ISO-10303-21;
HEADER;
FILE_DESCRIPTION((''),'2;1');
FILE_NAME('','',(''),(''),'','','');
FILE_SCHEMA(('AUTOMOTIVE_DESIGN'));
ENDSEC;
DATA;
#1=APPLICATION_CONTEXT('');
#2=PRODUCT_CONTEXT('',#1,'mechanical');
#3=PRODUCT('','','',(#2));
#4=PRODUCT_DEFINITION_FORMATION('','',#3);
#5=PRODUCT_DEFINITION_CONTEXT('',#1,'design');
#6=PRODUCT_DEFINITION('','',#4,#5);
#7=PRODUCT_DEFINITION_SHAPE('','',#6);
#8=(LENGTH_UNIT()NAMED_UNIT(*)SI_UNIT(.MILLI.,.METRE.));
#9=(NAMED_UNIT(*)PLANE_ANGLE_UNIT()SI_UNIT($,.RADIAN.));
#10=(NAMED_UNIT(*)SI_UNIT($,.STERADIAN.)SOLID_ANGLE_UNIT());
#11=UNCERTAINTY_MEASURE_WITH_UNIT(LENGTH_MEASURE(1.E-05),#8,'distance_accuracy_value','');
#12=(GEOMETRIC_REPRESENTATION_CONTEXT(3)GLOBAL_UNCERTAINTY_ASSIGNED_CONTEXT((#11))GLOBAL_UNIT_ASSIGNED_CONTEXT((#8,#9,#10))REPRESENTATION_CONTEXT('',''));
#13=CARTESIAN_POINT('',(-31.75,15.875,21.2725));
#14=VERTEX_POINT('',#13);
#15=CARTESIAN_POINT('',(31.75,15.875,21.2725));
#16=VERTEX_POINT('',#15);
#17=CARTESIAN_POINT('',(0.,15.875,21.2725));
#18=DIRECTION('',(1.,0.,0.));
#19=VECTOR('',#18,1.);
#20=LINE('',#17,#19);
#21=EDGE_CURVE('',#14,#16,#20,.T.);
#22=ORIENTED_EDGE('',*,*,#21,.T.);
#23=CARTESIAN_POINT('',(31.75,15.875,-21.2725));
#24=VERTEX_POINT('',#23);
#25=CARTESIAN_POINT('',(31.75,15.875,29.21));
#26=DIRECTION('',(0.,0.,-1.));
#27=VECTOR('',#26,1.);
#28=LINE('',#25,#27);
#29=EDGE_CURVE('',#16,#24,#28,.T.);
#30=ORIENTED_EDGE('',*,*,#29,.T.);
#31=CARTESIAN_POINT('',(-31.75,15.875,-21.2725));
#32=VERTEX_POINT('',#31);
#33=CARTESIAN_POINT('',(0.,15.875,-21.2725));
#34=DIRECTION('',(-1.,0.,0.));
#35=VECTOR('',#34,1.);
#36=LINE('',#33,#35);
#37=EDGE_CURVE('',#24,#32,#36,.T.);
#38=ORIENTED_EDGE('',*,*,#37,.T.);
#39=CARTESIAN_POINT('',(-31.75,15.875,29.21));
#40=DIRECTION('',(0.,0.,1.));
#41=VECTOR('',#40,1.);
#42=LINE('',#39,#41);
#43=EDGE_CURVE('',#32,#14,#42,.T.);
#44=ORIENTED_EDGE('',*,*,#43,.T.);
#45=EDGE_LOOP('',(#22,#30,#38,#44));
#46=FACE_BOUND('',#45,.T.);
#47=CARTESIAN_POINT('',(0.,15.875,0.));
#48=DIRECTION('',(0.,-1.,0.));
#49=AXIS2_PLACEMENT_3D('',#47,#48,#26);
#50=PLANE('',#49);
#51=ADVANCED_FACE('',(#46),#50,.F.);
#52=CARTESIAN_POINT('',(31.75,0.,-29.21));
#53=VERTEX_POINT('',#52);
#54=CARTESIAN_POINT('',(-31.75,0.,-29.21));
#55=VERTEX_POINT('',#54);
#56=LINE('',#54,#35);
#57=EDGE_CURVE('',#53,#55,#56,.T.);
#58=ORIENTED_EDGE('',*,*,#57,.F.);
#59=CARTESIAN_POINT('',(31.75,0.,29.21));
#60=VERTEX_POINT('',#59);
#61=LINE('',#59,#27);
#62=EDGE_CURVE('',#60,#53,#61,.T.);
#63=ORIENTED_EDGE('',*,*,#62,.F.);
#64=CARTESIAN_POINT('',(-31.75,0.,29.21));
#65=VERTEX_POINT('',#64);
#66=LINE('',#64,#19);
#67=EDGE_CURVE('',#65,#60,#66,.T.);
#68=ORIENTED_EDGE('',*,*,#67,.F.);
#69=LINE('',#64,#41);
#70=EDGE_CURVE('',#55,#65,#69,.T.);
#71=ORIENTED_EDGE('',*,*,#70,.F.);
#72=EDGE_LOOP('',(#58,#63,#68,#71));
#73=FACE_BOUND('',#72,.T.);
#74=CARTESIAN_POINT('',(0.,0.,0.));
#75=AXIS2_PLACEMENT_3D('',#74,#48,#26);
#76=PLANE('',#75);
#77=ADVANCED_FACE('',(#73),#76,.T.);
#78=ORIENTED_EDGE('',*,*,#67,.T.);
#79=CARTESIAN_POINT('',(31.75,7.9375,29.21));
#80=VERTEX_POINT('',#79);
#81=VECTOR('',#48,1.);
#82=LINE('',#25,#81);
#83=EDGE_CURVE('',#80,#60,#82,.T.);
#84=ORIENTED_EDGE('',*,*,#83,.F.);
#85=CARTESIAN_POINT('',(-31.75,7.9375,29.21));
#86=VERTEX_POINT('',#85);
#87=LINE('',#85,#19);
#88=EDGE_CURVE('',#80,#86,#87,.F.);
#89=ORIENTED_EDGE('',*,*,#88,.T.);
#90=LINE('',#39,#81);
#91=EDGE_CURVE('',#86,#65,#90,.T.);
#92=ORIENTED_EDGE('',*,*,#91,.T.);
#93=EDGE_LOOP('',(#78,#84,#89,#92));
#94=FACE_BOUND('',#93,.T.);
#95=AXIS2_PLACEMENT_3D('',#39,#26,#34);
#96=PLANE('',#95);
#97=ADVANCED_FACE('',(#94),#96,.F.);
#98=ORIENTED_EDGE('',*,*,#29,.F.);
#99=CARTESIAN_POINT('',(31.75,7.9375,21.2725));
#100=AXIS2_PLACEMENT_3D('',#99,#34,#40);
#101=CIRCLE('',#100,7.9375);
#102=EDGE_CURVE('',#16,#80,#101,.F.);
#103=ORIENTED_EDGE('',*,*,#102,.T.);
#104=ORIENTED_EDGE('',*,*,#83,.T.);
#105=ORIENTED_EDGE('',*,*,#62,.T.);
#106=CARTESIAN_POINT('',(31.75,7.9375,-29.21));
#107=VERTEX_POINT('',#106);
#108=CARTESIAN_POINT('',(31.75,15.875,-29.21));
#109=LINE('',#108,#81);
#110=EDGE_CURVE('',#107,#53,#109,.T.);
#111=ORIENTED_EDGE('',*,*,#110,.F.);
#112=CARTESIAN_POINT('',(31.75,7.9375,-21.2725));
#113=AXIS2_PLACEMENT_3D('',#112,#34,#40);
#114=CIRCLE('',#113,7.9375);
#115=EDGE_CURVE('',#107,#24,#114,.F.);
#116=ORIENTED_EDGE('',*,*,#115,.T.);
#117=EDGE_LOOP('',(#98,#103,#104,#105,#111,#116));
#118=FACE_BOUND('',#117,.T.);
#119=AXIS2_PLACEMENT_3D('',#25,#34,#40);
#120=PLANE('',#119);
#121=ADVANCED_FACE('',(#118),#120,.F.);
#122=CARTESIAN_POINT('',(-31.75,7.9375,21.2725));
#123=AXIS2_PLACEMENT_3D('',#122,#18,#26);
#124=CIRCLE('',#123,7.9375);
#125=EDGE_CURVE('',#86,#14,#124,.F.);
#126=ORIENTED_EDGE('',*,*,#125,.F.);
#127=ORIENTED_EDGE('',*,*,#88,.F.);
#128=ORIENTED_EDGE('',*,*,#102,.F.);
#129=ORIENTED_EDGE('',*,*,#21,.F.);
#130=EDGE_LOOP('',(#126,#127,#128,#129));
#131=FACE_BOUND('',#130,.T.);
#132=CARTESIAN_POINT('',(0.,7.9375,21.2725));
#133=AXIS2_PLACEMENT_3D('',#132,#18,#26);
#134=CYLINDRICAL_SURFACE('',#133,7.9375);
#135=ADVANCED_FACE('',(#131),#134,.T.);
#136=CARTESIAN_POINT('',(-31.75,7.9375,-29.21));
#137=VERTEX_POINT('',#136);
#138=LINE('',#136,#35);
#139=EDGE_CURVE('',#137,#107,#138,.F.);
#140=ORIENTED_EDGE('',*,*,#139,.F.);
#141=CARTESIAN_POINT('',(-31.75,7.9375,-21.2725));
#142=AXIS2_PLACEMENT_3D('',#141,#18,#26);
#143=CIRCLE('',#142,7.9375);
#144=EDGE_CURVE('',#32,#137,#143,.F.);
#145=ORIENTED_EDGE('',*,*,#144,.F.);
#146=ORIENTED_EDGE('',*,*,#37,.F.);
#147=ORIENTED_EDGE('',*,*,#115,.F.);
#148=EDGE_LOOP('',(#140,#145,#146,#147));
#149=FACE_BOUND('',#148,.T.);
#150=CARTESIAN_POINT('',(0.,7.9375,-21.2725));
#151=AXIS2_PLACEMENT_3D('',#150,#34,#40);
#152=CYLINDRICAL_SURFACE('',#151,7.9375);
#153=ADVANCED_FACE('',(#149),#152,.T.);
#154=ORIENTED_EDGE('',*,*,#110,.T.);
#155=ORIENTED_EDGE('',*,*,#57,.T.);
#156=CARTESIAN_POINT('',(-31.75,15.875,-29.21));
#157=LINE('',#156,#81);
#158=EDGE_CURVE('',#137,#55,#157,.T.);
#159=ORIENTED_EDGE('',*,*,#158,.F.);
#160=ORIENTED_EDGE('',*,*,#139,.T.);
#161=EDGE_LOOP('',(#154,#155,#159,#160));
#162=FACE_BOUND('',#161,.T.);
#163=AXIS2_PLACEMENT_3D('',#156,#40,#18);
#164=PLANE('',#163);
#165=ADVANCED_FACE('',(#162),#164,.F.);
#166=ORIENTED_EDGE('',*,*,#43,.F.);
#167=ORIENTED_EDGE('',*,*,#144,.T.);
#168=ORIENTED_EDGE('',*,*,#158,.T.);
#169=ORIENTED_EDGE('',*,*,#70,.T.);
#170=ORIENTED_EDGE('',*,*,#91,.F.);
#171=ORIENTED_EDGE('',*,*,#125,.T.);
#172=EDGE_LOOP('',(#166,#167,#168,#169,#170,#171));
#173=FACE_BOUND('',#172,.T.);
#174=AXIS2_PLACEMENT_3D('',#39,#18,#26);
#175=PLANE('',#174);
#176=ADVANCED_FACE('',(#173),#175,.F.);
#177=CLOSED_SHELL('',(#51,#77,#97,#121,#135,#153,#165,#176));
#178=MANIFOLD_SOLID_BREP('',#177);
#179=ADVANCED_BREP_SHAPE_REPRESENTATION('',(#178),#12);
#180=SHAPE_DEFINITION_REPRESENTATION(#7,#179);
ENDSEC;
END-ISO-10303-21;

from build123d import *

# Parameters (mm, degrees)
SKETCH1_W           = 63.5
SKETCH1_H           = 58.42
BOSS_EXTRUDE1_DEPTH = 15.875
FILLET1_R           = 7.9375


with BuildPart() as part:
    # Sketch1 → Boss-Extrude1 (new body)
    with BuildSketch(Plane(origin=(0, 0, 0), x_dir=(1, 0, 0), z_dir=(0, 1, 0))):
        Rectangle(SKETCH1_W, SKETCH1_H)
    extrude(amount=BOSS_EXTRUDE1_DEPTH)

    # Fillet1
    fillet1_edges = [part.edges().sort_by_distance(p)[0] for p in [
        (0, 15.875, 29.21),
        (0, 15.875, -29.21),
    ]]
    fillet(fillet1_edges, radius=FILLET1_R)


solid = part.part
